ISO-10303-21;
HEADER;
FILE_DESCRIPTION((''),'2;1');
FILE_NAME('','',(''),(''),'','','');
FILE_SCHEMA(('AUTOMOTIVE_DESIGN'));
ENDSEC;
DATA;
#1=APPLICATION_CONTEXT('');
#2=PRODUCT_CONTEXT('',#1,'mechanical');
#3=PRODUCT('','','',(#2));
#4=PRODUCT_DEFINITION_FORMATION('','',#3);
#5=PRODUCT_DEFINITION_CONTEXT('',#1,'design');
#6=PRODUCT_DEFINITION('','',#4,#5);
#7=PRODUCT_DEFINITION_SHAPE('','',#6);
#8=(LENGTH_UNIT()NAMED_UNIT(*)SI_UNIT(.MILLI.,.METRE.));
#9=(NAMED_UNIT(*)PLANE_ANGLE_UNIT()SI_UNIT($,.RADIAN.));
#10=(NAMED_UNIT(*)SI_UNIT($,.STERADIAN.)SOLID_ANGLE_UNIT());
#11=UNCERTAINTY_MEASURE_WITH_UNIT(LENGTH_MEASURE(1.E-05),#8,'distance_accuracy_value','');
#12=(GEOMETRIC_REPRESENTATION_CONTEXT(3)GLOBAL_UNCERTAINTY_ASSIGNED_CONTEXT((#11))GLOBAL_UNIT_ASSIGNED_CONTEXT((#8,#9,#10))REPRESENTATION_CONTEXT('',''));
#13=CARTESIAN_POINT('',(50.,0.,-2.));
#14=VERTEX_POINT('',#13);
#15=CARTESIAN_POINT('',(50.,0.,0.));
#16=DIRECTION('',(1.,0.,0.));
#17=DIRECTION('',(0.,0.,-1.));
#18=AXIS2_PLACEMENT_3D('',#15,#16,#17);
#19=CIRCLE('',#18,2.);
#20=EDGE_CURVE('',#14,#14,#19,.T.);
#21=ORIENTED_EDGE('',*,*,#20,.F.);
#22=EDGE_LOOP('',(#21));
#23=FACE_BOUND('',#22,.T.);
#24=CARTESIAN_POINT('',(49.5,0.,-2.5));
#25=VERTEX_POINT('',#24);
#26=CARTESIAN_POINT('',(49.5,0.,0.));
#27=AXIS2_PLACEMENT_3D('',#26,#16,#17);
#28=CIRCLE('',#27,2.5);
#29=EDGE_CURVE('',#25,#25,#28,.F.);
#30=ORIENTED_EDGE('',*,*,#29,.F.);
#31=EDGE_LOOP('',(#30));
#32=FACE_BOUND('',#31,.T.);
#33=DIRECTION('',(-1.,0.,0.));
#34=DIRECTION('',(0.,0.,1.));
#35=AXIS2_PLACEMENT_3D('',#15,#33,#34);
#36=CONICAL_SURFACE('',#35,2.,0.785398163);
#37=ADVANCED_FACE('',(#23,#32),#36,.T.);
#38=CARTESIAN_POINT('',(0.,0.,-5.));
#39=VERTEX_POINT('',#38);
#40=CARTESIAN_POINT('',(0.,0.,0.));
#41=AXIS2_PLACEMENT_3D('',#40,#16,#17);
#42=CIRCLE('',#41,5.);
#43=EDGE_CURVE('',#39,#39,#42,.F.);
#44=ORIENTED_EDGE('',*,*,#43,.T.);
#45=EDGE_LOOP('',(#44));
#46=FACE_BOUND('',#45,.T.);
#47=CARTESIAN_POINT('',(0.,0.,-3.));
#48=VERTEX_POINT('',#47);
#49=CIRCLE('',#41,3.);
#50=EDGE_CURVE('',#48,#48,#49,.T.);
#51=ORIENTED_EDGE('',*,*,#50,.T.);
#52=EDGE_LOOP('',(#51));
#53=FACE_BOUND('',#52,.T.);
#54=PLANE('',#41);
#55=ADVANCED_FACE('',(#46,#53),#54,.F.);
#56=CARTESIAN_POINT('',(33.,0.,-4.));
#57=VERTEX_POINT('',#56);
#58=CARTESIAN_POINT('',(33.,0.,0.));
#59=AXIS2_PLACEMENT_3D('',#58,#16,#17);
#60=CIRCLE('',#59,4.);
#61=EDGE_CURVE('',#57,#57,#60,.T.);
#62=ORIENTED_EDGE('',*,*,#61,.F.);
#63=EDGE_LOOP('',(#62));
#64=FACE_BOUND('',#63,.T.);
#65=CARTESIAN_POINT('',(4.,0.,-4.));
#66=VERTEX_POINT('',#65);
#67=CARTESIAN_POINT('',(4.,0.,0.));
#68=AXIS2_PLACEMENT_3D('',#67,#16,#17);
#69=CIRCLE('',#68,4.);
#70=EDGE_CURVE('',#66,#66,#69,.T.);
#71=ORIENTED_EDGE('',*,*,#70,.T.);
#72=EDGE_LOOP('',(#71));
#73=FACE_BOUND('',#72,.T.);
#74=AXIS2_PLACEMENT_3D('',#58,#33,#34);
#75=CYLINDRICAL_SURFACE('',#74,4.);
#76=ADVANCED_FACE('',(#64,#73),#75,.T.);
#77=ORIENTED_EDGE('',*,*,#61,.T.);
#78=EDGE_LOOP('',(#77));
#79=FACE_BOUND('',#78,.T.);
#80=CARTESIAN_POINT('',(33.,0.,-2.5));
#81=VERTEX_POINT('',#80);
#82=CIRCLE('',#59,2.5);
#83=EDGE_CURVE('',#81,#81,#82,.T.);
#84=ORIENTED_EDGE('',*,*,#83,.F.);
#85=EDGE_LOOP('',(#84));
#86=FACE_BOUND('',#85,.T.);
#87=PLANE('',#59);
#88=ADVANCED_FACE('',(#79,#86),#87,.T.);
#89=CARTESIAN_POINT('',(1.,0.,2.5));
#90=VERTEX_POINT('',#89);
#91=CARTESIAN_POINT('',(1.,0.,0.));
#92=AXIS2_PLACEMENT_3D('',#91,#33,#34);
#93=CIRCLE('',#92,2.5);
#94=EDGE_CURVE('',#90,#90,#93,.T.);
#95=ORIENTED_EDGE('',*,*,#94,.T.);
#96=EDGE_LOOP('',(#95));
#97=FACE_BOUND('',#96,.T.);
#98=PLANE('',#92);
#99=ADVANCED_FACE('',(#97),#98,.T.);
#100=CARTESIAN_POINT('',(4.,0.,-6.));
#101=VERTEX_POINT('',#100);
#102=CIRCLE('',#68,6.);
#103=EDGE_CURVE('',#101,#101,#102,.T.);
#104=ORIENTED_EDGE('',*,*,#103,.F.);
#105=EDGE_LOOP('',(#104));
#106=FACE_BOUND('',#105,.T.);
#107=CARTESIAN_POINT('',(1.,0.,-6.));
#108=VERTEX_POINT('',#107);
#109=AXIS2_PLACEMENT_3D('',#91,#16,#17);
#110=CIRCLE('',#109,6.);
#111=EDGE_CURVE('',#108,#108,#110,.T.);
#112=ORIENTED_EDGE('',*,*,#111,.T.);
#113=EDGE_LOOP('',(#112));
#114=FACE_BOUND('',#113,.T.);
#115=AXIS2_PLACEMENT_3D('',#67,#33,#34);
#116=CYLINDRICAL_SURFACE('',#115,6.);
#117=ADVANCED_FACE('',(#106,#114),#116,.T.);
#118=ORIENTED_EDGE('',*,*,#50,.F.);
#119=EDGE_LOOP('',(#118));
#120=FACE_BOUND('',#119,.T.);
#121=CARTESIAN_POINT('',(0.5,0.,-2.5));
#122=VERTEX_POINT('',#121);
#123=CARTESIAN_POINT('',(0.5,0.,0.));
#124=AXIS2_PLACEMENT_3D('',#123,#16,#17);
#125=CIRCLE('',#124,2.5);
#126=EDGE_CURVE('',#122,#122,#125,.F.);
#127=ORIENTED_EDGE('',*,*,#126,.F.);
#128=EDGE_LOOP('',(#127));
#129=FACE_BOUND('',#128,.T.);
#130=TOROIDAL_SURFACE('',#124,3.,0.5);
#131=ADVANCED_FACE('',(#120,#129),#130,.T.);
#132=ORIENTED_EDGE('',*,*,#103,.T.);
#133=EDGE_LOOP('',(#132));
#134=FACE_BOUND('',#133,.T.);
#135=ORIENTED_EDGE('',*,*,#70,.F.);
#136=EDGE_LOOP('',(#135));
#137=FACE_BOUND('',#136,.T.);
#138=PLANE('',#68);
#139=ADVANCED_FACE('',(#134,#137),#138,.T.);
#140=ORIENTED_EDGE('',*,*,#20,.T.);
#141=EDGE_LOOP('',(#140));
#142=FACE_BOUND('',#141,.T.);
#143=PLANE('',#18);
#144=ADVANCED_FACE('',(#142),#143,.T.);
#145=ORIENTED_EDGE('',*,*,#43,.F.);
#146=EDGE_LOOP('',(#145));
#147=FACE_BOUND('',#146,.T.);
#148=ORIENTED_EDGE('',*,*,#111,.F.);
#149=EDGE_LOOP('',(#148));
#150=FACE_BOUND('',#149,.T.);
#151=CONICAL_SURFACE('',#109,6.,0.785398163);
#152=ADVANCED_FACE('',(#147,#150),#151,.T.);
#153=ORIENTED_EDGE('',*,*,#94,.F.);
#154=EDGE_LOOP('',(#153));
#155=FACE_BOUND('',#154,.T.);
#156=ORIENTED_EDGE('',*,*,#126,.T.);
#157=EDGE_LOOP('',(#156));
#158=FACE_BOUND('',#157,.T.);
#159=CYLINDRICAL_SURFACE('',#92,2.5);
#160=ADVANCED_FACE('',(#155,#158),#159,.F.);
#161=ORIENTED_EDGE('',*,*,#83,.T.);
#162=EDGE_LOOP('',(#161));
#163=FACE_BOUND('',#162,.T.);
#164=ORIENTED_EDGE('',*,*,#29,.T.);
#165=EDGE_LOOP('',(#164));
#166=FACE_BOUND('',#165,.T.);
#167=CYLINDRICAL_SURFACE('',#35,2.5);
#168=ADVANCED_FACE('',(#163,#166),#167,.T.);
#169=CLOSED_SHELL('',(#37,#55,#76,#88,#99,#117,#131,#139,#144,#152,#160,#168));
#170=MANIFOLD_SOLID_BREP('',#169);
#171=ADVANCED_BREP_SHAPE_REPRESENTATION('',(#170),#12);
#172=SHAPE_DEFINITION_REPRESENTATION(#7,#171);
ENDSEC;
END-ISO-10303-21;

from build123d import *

# Parameters (mm, degrees)
SKETCH1_R           = 6
BOSS_EXTRUDE1_DEPTH = 4
SKETCH2_R           = 4
BOSS_EXTRUDE2_DEPTH = 29
SKETCH3_R           = 2.5
BOSS_EXTRUDE3_DEPTH = 17
CHAMFER1_SIZE       = 0.5
CHAMFER2_SIZE       = 1
SKETCH4_R           = 2.5
CUT_EXTRUDE1_DEPTH  = 1
FILLET1_R           = 0.5


with BuildPart() as part:
    # Sketch1 → Boss-Extrude1 (new body)
    with BuildSketch(Plane(origin=(0, 0, 0), x_dir=(0, 0, -1), z_dir=(1, 0, 0))):
        Circle(SKETCH1_R)
    extrude(amount=BOSS_EXTRUDE1_DEPTH)

    # Sketch2 → Boss-Extrude2 (add)
    with BuildSketch(Plane(origin=(4, 0, 0), x_dir=(0, 0, -1), z_dir=(1, 0, 0))):
        Circle(SKETCH2_R)
    extrude(amount=BOSS_EXTRUDE2_DEPTH)

    # Sketch3 → Boss-Extrude3 (add)
    with BuildSketch(Plane(origin=(33, 0, 0), x_dir=(0, 0, -1), z_dir=(1, 0, 0))):
        Circle(SKETCH3_R)
    extrude(amount=BOSS_EXTRUDE3_DEPTH)

    # Chamfer1
    chamfer1_edges = [part.edges().sort_by_distance(p)[0] for p in [
        (50, 0, 2.5),
    ]]
    chamfer(chamfer1_edges, length=CHAMFER1_SIZE)

    # Chamfer2
    chamfer2_edges = [part.edges().sort_by_distance(p)[0] for p in [
        (0, 0, 6),
    ]]
    chamfer(chamfer2_edges, length=CHAMFER2_SIZE)

    # Sketch4 → Cut-Extrude1 (cut)
    with BuildSketch(Plane.ZY):
        Circle(SKETCH4_R)
    extrude(amount=-CUT_EXTRUDE1_DEPTH, mode=Mode.SUBTRACT)

    # Fillet1
    fillet1_edges = [part.edges().sort_by_distance(p)[0] for p in [
        (0, 0, -2.5),
    ]]
    fillet(fillet1_edges, radius=FILLET1_R)


solid = part.part
